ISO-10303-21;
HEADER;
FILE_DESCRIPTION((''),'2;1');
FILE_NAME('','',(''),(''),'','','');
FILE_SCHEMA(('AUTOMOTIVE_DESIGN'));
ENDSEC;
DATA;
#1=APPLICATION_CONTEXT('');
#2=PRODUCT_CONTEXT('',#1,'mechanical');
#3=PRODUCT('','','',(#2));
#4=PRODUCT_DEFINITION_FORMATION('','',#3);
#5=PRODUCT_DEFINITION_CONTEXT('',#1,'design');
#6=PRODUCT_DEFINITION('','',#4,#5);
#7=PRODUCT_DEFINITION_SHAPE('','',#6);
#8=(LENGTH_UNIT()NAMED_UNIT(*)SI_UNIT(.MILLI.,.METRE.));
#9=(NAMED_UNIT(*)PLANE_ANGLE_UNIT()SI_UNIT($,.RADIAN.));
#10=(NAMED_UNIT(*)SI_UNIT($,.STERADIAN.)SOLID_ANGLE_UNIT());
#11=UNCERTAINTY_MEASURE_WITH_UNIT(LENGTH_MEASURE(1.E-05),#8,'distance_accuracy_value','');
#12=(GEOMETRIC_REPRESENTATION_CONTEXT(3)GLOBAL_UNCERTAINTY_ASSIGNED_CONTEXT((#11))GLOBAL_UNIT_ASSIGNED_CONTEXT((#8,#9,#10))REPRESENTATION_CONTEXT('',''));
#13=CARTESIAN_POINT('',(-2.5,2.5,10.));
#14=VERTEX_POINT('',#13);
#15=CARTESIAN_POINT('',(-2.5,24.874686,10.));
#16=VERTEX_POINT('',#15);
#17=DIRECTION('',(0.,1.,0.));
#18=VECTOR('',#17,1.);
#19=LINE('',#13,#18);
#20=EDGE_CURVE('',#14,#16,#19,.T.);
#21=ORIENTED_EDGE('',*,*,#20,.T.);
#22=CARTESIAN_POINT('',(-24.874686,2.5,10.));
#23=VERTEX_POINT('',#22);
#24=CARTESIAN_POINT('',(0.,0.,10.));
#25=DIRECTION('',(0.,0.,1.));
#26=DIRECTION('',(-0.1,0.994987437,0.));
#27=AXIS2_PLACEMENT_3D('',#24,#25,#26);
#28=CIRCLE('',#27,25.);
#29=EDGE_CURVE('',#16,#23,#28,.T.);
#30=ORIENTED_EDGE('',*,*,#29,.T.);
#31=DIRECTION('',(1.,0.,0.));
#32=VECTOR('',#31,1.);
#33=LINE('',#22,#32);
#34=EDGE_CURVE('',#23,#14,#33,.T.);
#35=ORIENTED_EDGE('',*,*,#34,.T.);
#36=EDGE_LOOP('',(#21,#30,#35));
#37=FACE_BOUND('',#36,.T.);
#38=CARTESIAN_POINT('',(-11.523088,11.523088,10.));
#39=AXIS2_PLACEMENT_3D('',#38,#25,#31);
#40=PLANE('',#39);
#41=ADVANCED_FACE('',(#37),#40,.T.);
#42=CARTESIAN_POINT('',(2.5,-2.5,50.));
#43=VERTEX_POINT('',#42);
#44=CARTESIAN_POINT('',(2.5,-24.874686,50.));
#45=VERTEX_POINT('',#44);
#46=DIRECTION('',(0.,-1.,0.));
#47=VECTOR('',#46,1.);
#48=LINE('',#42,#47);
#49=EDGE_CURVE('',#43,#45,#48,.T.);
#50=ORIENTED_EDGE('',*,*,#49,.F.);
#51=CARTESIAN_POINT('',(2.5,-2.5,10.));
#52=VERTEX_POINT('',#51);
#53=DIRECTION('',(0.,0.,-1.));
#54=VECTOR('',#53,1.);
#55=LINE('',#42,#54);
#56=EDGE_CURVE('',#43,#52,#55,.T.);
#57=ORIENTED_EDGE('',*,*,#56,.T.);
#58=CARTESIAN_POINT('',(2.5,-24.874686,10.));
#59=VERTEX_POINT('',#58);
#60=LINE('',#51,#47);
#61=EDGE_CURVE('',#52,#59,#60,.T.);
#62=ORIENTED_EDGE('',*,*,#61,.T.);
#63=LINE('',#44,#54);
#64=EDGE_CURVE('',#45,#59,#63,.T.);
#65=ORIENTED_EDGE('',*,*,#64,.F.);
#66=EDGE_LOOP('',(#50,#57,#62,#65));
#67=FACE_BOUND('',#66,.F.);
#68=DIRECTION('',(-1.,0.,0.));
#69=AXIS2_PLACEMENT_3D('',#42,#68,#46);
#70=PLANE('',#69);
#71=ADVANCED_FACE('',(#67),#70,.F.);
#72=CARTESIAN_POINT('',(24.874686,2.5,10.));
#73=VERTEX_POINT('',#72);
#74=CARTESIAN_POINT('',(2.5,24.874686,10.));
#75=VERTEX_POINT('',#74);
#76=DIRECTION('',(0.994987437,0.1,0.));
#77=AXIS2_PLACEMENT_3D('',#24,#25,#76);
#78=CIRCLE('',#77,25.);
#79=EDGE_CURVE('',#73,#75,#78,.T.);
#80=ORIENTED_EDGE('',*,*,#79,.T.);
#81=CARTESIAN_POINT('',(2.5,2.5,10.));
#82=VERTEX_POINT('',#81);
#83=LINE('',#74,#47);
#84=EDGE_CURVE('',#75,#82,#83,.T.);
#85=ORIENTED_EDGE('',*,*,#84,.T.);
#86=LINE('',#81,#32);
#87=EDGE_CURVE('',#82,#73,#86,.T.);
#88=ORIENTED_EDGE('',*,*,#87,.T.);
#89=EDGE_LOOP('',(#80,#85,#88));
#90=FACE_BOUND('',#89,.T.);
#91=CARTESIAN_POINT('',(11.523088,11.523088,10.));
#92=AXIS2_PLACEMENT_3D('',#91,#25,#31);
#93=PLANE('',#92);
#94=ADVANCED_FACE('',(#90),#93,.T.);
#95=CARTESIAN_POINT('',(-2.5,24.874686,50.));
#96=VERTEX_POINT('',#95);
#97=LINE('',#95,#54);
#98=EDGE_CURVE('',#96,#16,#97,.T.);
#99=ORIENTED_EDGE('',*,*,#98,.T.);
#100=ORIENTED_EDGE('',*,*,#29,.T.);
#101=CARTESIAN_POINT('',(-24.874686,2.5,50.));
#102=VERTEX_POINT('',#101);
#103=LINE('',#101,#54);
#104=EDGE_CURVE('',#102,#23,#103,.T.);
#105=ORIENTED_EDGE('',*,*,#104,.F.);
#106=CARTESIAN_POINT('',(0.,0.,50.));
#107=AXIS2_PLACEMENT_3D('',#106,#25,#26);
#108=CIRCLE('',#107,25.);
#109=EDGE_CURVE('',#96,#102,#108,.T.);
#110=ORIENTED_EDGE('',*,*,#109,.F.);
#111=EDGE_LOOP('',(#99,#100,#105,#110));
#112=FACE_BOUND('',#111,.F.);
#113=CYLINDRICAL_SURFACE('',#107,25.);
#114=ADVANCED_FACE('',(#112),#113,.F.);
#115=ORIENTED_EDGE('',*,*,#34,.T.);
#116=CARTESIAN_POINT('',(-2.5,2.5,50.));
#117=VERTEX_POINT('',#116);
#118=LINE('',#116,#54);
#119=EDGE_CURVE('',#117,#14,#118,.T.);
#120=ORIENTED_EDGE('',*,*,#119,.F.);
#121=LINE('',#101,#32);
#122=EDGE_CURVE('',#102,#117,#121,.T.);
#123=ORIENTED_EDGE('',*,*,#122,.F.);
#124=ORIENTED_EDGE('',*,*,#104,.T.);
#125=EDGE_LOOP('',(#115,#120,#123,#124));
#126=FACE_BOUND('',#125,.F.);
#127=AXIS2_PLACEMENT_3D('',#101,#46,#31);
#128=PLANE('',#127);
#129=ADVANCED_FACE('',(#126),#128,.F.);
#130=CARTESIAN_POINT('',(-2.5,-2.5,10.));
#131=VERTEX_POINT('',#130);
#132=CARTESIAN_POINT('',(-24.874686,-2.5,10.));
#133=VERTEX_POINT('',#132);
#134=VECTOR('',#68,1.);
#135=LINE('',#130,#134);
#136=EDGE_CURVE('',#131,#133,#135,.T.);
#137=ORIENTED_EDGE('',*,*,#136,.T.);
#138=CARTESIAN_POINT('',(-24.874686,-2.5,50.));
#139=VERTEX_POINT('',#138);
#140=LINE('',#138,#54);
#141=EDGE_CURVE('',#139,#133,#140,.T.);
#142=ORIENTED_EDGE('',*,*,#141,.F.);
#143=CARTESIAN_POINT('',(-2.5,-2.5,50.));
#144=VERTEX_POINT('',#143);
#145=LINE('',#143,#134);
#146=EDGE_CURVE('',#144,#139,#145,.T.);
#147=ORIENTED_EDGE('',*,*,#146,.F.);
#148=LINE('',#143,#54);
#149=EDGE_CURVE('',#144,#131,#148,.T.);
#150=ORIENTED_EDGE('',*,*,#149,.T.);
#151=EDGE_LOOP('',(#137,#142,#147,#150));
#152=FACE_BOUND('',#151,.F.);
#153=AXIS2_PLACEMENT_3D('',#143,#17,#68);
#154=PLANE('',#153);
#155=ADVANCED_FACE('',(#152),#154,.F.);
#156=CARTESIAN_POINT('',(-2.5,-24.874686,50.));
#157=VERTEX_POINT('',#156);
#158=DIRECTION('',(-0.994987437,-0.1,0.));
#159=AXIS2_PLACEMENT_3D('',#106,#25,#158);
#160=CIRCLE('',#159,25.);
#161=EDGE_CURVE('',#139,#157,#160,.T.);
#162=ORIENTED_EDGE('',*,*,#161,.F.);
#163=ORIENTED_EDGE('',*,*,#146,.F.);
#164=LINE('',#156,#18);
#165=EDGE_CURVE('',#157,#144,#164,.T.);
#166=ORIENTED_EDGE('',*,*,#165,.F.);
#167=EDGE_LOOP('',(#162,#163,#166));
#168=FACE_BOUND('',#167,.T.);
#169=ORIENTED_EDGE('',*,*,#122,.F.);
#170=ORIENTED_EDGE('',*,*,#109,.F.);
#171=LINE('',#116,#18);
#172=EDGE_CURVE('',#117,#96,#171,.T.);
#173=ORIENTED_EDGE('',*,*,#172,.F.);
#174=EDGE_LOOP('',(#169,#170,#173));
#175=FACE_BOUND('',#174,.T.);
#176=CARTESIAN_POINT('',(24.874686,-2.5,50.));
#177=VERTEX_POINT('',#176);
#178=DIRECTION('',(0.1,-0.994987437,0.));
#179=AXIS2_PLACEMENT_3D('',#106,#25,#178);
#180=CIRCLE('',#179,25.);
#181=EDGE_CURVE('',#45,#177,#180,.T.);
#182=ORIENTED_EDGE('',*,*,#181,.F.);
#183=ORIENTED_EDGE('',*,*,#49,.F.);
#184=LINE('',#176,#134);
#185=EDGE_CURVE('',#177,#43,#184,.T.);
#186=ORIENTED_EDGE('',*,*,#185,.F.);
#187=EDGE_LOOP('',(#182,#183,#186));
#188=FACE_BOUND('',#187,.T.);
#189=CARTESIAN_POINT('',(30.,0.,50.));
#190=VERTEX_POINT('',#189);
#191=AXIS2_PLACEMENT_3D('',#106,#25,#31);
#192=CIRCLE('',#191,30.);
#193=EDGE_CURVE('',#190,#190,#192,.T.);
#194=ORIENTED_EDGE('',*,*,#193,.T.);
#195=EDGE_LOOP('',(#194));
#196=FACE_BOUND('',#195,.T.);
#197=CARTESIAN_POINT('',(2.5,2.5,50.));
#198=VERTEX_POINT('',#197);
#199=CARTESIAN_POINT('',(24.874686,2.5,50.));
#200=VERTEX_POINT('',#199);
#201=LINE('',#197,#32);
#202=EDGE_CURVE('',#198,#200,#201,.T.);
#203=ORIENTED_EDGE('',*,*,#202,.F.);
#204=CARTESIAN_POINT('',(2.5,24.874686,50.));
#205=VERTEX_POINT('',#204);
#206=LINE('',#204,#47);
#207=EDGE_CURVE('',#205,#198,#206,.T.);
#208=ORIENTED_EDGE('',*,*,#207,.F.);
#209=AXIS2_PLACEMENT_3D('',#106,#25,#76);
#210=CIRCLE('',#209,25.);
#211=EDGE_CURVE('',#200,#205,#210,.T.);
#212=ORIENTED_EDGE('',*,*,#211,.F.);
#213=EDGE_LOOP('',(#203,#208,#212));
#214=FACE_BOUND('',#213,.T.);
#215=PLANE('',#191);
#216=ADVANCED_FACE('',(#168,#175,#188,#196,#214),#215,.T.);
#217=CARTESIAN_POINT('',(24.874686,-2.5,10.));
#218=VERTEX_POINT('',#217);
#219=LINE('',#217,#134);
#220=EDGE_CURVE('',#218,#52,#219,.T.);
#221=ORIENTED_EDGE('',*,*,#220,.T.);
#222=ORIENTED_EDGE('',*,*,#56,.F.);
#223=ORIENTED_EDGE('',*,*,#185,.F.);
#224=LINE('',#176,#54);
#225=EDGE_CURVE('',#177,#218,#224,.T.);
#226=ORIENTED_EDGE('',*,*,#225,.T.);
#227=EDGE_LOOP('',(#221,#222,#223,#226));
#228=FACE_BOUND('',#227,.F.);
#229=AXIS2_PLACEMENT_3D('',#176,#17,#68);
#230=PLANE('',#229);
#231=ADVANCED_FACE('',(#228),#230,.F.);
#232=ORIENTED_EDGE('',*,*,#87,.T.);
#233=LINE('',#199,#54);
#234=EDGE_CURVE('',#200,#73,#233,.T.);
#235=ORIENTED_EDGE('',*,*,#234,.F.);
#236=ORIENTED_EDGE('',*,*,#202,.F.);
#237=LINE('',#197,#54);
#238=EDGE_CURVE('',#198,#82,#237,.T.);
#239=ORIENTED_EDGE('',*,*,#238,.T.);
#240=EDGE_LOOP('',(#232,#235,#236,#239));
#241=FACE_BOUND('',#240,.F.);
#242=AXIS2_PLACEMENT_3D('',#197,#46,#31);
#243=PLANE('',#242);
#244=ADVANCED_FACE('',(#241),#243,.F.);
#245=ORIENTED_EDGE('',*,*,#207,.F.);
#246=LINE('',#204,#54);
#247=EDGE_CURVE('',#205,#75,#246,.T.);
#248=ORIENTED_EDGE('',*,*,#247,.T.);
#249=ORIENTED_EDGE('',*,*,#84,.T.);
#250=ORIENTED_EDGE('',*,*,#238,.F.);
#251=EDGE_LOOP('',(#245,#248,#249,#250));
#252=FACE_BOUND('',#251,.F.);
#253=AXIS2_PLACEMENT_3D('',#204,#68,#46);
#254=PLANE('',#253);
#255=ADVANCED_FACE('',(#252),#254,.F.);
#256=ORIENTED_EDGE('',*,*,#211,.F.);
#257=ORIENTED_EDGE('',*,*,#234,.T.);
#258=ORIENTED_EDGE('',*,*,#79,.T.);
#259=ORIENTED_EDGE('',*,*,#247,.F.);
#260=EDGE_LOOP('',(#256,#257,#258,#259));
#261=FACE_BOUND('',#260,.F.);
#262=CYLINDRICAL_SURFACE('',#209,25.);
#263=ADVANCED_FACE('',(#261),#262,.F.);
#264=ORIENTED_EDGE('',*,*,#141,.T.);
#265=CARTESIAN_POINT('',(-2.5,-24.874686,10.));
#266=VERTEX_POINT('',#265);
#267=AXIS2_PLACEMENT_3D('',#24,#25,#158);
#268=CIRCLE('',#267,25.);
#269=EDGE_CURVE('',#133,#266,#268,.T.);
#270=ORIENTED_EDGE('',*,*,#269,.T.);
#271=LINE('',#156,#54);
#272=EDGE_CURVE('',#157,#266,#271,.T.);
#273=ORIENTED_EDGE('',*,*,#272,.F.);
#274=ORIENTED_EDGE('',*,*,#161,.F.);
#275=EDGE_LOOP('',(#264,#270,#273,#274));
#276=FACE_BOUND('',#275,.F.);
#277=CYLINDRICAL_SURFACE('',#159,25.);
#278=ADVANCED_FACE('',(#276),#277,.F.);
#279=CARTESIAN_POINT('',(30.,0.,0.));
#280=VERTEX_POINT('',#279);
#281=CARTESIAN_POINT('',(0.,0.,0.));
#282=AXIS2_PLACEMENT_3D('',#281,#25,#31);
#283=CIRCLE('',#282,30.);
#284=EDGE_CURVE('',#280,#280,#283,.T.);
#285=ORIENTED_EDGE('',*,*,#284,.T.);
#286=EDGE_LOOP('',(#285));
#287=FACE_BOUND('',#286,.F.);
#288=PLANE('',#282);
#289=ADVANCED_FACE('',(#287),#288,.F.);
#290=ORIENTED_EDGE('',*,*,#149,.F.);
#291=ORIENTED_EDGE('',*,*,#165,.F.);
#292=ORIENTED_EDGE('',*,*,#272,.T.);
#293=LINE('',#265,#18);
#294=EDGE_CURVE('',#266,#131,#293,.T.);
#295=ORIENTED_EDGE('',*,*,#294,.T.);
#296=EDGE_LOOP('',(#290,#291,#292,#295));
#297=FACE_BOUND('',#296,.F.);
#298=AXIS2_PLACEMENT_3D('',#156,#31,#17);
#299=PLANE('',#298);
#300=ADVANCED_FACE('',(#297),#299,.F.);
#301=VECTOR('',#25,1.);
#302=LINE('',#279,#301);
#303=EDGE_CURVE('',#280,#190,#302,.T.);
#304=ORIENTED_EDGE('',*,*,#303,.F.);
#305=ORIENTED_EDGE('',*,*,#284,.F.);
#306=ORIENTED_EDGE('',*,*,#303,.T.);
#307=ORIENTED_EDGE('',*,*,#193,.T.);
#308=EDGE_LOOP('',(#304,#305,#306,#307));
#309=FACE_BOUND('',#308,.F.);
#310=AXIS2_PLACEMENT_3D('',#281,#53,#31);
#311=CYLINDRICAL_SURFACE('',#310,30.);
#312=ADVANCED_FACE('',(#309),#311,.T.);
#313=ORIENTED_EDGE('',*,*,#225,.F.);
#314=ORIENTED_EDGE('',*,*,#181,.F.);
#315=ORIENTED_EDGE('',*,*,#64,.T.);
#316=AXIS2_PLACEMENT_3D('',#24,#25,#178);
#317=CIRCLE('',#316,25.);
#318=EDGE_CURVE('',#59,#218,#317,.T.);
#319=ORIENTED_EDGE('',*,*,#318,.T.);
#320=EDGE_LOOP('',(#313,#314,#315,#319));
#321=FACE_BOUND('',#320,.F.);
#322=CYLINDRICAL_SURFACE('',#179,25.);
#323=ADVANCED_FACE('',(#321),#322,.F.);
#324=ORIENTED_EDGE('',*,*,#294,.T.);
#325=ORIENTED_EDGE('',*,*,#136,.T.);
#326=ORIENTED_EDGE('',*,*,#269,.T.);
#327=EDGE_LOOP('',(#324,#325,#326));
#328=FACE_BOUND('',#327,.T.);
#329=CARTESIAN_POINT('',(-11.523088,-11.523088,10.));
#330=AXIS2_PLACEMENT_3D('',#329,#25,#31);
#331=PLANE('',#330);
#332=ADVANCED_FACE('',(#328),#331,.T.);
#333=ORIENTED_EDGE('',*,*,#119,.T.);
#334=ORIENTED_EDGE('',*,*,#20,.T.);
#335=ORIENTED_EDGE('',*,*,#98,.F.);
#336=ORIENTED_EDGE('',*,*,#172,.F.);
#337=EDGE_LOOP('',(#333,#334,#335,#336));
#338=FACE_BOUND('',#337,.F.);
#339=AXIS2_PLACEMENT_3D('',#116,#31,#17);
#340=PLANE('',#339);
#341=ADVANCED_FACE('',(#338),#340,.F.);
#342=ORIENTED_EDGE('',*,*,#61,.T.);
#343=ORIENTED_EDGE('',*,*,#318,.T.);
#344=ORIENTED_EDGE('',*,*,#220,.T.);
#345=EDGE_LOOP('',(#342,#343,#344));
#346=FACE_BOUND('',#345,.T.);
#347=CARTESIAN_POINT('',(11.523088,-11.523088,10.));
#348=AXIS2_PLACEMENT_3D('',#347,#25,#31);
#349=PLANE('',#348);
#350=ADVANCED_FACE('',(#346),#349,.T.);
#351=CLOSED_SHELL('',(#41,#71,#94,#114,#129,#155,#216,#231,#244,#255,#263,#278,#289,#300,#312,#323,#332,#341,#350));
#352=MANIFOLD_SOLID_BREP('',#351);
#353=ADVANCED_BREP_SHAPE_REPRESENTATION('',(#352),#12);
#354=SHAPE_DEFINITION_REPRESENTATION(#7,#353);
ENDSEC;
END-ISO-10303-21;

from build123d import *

# Parameters (mm, degrees)
F0_R     = 30
F1_DEPTH = 50
F3_DEPTH = 40


with BuildPart() as f1:
    # F0 (on Top) → F1 (new body)
    with BuildSketch(Plane.XY):
        Circle(F0_R)
    extrude(amount=F1_DEPTH)

    # F2 (on face) → F3 (cut)
    with BuildSketch(Plane.XY.offset(50)):
        with BuildLine():
            Line((-2.5, 2.5), (-2.5, 24.8746859277))
            ThreePointArc((-2.5, 24.8746859277), (-17.6776695297, 17.6776695297), (-24.8746859277, 2.5))
            Line((-24.8746859277, 2.5), (-2.5, 2.5))
        make_face()
        with BuildLine():
            ThreePointArc((24.8746859277, 2.5), (17.6776695297, 17.6776695297), (2.5, 24.8746859277))
            Line((2.5, 24.8746859277), (2.5, 2.5))
            Line((2.5, 2.5), (24.8746859277, 2.5))
        make_face()
        with BuildLine():
            ThreePointArc((2.5, -24.8746859277), (17.6776695297, -17.6776695297), (24.8746859277, -2.5))
            Line((24.8746859277, -2.5), (2.5, -2.5))
            Line((2.5, -2.5), (2.5, -24.8746859277))
        make_face()
        with BuildLine():
            Line((-2.5, -2.5), (-24.8746859277, -2.5))
            ThreePointArc((-24.8746859277, -2.5), (-17.6776695297, -17.6776695297), (-2.5, -24.8746859277))
            Line((-2.5, -24.8746859277), (-2.5, -2.5))
        make_face()
    extrude(amount=-F3_DEPTH, mode=Mode.SUBTRACT)


solid = f1.part
